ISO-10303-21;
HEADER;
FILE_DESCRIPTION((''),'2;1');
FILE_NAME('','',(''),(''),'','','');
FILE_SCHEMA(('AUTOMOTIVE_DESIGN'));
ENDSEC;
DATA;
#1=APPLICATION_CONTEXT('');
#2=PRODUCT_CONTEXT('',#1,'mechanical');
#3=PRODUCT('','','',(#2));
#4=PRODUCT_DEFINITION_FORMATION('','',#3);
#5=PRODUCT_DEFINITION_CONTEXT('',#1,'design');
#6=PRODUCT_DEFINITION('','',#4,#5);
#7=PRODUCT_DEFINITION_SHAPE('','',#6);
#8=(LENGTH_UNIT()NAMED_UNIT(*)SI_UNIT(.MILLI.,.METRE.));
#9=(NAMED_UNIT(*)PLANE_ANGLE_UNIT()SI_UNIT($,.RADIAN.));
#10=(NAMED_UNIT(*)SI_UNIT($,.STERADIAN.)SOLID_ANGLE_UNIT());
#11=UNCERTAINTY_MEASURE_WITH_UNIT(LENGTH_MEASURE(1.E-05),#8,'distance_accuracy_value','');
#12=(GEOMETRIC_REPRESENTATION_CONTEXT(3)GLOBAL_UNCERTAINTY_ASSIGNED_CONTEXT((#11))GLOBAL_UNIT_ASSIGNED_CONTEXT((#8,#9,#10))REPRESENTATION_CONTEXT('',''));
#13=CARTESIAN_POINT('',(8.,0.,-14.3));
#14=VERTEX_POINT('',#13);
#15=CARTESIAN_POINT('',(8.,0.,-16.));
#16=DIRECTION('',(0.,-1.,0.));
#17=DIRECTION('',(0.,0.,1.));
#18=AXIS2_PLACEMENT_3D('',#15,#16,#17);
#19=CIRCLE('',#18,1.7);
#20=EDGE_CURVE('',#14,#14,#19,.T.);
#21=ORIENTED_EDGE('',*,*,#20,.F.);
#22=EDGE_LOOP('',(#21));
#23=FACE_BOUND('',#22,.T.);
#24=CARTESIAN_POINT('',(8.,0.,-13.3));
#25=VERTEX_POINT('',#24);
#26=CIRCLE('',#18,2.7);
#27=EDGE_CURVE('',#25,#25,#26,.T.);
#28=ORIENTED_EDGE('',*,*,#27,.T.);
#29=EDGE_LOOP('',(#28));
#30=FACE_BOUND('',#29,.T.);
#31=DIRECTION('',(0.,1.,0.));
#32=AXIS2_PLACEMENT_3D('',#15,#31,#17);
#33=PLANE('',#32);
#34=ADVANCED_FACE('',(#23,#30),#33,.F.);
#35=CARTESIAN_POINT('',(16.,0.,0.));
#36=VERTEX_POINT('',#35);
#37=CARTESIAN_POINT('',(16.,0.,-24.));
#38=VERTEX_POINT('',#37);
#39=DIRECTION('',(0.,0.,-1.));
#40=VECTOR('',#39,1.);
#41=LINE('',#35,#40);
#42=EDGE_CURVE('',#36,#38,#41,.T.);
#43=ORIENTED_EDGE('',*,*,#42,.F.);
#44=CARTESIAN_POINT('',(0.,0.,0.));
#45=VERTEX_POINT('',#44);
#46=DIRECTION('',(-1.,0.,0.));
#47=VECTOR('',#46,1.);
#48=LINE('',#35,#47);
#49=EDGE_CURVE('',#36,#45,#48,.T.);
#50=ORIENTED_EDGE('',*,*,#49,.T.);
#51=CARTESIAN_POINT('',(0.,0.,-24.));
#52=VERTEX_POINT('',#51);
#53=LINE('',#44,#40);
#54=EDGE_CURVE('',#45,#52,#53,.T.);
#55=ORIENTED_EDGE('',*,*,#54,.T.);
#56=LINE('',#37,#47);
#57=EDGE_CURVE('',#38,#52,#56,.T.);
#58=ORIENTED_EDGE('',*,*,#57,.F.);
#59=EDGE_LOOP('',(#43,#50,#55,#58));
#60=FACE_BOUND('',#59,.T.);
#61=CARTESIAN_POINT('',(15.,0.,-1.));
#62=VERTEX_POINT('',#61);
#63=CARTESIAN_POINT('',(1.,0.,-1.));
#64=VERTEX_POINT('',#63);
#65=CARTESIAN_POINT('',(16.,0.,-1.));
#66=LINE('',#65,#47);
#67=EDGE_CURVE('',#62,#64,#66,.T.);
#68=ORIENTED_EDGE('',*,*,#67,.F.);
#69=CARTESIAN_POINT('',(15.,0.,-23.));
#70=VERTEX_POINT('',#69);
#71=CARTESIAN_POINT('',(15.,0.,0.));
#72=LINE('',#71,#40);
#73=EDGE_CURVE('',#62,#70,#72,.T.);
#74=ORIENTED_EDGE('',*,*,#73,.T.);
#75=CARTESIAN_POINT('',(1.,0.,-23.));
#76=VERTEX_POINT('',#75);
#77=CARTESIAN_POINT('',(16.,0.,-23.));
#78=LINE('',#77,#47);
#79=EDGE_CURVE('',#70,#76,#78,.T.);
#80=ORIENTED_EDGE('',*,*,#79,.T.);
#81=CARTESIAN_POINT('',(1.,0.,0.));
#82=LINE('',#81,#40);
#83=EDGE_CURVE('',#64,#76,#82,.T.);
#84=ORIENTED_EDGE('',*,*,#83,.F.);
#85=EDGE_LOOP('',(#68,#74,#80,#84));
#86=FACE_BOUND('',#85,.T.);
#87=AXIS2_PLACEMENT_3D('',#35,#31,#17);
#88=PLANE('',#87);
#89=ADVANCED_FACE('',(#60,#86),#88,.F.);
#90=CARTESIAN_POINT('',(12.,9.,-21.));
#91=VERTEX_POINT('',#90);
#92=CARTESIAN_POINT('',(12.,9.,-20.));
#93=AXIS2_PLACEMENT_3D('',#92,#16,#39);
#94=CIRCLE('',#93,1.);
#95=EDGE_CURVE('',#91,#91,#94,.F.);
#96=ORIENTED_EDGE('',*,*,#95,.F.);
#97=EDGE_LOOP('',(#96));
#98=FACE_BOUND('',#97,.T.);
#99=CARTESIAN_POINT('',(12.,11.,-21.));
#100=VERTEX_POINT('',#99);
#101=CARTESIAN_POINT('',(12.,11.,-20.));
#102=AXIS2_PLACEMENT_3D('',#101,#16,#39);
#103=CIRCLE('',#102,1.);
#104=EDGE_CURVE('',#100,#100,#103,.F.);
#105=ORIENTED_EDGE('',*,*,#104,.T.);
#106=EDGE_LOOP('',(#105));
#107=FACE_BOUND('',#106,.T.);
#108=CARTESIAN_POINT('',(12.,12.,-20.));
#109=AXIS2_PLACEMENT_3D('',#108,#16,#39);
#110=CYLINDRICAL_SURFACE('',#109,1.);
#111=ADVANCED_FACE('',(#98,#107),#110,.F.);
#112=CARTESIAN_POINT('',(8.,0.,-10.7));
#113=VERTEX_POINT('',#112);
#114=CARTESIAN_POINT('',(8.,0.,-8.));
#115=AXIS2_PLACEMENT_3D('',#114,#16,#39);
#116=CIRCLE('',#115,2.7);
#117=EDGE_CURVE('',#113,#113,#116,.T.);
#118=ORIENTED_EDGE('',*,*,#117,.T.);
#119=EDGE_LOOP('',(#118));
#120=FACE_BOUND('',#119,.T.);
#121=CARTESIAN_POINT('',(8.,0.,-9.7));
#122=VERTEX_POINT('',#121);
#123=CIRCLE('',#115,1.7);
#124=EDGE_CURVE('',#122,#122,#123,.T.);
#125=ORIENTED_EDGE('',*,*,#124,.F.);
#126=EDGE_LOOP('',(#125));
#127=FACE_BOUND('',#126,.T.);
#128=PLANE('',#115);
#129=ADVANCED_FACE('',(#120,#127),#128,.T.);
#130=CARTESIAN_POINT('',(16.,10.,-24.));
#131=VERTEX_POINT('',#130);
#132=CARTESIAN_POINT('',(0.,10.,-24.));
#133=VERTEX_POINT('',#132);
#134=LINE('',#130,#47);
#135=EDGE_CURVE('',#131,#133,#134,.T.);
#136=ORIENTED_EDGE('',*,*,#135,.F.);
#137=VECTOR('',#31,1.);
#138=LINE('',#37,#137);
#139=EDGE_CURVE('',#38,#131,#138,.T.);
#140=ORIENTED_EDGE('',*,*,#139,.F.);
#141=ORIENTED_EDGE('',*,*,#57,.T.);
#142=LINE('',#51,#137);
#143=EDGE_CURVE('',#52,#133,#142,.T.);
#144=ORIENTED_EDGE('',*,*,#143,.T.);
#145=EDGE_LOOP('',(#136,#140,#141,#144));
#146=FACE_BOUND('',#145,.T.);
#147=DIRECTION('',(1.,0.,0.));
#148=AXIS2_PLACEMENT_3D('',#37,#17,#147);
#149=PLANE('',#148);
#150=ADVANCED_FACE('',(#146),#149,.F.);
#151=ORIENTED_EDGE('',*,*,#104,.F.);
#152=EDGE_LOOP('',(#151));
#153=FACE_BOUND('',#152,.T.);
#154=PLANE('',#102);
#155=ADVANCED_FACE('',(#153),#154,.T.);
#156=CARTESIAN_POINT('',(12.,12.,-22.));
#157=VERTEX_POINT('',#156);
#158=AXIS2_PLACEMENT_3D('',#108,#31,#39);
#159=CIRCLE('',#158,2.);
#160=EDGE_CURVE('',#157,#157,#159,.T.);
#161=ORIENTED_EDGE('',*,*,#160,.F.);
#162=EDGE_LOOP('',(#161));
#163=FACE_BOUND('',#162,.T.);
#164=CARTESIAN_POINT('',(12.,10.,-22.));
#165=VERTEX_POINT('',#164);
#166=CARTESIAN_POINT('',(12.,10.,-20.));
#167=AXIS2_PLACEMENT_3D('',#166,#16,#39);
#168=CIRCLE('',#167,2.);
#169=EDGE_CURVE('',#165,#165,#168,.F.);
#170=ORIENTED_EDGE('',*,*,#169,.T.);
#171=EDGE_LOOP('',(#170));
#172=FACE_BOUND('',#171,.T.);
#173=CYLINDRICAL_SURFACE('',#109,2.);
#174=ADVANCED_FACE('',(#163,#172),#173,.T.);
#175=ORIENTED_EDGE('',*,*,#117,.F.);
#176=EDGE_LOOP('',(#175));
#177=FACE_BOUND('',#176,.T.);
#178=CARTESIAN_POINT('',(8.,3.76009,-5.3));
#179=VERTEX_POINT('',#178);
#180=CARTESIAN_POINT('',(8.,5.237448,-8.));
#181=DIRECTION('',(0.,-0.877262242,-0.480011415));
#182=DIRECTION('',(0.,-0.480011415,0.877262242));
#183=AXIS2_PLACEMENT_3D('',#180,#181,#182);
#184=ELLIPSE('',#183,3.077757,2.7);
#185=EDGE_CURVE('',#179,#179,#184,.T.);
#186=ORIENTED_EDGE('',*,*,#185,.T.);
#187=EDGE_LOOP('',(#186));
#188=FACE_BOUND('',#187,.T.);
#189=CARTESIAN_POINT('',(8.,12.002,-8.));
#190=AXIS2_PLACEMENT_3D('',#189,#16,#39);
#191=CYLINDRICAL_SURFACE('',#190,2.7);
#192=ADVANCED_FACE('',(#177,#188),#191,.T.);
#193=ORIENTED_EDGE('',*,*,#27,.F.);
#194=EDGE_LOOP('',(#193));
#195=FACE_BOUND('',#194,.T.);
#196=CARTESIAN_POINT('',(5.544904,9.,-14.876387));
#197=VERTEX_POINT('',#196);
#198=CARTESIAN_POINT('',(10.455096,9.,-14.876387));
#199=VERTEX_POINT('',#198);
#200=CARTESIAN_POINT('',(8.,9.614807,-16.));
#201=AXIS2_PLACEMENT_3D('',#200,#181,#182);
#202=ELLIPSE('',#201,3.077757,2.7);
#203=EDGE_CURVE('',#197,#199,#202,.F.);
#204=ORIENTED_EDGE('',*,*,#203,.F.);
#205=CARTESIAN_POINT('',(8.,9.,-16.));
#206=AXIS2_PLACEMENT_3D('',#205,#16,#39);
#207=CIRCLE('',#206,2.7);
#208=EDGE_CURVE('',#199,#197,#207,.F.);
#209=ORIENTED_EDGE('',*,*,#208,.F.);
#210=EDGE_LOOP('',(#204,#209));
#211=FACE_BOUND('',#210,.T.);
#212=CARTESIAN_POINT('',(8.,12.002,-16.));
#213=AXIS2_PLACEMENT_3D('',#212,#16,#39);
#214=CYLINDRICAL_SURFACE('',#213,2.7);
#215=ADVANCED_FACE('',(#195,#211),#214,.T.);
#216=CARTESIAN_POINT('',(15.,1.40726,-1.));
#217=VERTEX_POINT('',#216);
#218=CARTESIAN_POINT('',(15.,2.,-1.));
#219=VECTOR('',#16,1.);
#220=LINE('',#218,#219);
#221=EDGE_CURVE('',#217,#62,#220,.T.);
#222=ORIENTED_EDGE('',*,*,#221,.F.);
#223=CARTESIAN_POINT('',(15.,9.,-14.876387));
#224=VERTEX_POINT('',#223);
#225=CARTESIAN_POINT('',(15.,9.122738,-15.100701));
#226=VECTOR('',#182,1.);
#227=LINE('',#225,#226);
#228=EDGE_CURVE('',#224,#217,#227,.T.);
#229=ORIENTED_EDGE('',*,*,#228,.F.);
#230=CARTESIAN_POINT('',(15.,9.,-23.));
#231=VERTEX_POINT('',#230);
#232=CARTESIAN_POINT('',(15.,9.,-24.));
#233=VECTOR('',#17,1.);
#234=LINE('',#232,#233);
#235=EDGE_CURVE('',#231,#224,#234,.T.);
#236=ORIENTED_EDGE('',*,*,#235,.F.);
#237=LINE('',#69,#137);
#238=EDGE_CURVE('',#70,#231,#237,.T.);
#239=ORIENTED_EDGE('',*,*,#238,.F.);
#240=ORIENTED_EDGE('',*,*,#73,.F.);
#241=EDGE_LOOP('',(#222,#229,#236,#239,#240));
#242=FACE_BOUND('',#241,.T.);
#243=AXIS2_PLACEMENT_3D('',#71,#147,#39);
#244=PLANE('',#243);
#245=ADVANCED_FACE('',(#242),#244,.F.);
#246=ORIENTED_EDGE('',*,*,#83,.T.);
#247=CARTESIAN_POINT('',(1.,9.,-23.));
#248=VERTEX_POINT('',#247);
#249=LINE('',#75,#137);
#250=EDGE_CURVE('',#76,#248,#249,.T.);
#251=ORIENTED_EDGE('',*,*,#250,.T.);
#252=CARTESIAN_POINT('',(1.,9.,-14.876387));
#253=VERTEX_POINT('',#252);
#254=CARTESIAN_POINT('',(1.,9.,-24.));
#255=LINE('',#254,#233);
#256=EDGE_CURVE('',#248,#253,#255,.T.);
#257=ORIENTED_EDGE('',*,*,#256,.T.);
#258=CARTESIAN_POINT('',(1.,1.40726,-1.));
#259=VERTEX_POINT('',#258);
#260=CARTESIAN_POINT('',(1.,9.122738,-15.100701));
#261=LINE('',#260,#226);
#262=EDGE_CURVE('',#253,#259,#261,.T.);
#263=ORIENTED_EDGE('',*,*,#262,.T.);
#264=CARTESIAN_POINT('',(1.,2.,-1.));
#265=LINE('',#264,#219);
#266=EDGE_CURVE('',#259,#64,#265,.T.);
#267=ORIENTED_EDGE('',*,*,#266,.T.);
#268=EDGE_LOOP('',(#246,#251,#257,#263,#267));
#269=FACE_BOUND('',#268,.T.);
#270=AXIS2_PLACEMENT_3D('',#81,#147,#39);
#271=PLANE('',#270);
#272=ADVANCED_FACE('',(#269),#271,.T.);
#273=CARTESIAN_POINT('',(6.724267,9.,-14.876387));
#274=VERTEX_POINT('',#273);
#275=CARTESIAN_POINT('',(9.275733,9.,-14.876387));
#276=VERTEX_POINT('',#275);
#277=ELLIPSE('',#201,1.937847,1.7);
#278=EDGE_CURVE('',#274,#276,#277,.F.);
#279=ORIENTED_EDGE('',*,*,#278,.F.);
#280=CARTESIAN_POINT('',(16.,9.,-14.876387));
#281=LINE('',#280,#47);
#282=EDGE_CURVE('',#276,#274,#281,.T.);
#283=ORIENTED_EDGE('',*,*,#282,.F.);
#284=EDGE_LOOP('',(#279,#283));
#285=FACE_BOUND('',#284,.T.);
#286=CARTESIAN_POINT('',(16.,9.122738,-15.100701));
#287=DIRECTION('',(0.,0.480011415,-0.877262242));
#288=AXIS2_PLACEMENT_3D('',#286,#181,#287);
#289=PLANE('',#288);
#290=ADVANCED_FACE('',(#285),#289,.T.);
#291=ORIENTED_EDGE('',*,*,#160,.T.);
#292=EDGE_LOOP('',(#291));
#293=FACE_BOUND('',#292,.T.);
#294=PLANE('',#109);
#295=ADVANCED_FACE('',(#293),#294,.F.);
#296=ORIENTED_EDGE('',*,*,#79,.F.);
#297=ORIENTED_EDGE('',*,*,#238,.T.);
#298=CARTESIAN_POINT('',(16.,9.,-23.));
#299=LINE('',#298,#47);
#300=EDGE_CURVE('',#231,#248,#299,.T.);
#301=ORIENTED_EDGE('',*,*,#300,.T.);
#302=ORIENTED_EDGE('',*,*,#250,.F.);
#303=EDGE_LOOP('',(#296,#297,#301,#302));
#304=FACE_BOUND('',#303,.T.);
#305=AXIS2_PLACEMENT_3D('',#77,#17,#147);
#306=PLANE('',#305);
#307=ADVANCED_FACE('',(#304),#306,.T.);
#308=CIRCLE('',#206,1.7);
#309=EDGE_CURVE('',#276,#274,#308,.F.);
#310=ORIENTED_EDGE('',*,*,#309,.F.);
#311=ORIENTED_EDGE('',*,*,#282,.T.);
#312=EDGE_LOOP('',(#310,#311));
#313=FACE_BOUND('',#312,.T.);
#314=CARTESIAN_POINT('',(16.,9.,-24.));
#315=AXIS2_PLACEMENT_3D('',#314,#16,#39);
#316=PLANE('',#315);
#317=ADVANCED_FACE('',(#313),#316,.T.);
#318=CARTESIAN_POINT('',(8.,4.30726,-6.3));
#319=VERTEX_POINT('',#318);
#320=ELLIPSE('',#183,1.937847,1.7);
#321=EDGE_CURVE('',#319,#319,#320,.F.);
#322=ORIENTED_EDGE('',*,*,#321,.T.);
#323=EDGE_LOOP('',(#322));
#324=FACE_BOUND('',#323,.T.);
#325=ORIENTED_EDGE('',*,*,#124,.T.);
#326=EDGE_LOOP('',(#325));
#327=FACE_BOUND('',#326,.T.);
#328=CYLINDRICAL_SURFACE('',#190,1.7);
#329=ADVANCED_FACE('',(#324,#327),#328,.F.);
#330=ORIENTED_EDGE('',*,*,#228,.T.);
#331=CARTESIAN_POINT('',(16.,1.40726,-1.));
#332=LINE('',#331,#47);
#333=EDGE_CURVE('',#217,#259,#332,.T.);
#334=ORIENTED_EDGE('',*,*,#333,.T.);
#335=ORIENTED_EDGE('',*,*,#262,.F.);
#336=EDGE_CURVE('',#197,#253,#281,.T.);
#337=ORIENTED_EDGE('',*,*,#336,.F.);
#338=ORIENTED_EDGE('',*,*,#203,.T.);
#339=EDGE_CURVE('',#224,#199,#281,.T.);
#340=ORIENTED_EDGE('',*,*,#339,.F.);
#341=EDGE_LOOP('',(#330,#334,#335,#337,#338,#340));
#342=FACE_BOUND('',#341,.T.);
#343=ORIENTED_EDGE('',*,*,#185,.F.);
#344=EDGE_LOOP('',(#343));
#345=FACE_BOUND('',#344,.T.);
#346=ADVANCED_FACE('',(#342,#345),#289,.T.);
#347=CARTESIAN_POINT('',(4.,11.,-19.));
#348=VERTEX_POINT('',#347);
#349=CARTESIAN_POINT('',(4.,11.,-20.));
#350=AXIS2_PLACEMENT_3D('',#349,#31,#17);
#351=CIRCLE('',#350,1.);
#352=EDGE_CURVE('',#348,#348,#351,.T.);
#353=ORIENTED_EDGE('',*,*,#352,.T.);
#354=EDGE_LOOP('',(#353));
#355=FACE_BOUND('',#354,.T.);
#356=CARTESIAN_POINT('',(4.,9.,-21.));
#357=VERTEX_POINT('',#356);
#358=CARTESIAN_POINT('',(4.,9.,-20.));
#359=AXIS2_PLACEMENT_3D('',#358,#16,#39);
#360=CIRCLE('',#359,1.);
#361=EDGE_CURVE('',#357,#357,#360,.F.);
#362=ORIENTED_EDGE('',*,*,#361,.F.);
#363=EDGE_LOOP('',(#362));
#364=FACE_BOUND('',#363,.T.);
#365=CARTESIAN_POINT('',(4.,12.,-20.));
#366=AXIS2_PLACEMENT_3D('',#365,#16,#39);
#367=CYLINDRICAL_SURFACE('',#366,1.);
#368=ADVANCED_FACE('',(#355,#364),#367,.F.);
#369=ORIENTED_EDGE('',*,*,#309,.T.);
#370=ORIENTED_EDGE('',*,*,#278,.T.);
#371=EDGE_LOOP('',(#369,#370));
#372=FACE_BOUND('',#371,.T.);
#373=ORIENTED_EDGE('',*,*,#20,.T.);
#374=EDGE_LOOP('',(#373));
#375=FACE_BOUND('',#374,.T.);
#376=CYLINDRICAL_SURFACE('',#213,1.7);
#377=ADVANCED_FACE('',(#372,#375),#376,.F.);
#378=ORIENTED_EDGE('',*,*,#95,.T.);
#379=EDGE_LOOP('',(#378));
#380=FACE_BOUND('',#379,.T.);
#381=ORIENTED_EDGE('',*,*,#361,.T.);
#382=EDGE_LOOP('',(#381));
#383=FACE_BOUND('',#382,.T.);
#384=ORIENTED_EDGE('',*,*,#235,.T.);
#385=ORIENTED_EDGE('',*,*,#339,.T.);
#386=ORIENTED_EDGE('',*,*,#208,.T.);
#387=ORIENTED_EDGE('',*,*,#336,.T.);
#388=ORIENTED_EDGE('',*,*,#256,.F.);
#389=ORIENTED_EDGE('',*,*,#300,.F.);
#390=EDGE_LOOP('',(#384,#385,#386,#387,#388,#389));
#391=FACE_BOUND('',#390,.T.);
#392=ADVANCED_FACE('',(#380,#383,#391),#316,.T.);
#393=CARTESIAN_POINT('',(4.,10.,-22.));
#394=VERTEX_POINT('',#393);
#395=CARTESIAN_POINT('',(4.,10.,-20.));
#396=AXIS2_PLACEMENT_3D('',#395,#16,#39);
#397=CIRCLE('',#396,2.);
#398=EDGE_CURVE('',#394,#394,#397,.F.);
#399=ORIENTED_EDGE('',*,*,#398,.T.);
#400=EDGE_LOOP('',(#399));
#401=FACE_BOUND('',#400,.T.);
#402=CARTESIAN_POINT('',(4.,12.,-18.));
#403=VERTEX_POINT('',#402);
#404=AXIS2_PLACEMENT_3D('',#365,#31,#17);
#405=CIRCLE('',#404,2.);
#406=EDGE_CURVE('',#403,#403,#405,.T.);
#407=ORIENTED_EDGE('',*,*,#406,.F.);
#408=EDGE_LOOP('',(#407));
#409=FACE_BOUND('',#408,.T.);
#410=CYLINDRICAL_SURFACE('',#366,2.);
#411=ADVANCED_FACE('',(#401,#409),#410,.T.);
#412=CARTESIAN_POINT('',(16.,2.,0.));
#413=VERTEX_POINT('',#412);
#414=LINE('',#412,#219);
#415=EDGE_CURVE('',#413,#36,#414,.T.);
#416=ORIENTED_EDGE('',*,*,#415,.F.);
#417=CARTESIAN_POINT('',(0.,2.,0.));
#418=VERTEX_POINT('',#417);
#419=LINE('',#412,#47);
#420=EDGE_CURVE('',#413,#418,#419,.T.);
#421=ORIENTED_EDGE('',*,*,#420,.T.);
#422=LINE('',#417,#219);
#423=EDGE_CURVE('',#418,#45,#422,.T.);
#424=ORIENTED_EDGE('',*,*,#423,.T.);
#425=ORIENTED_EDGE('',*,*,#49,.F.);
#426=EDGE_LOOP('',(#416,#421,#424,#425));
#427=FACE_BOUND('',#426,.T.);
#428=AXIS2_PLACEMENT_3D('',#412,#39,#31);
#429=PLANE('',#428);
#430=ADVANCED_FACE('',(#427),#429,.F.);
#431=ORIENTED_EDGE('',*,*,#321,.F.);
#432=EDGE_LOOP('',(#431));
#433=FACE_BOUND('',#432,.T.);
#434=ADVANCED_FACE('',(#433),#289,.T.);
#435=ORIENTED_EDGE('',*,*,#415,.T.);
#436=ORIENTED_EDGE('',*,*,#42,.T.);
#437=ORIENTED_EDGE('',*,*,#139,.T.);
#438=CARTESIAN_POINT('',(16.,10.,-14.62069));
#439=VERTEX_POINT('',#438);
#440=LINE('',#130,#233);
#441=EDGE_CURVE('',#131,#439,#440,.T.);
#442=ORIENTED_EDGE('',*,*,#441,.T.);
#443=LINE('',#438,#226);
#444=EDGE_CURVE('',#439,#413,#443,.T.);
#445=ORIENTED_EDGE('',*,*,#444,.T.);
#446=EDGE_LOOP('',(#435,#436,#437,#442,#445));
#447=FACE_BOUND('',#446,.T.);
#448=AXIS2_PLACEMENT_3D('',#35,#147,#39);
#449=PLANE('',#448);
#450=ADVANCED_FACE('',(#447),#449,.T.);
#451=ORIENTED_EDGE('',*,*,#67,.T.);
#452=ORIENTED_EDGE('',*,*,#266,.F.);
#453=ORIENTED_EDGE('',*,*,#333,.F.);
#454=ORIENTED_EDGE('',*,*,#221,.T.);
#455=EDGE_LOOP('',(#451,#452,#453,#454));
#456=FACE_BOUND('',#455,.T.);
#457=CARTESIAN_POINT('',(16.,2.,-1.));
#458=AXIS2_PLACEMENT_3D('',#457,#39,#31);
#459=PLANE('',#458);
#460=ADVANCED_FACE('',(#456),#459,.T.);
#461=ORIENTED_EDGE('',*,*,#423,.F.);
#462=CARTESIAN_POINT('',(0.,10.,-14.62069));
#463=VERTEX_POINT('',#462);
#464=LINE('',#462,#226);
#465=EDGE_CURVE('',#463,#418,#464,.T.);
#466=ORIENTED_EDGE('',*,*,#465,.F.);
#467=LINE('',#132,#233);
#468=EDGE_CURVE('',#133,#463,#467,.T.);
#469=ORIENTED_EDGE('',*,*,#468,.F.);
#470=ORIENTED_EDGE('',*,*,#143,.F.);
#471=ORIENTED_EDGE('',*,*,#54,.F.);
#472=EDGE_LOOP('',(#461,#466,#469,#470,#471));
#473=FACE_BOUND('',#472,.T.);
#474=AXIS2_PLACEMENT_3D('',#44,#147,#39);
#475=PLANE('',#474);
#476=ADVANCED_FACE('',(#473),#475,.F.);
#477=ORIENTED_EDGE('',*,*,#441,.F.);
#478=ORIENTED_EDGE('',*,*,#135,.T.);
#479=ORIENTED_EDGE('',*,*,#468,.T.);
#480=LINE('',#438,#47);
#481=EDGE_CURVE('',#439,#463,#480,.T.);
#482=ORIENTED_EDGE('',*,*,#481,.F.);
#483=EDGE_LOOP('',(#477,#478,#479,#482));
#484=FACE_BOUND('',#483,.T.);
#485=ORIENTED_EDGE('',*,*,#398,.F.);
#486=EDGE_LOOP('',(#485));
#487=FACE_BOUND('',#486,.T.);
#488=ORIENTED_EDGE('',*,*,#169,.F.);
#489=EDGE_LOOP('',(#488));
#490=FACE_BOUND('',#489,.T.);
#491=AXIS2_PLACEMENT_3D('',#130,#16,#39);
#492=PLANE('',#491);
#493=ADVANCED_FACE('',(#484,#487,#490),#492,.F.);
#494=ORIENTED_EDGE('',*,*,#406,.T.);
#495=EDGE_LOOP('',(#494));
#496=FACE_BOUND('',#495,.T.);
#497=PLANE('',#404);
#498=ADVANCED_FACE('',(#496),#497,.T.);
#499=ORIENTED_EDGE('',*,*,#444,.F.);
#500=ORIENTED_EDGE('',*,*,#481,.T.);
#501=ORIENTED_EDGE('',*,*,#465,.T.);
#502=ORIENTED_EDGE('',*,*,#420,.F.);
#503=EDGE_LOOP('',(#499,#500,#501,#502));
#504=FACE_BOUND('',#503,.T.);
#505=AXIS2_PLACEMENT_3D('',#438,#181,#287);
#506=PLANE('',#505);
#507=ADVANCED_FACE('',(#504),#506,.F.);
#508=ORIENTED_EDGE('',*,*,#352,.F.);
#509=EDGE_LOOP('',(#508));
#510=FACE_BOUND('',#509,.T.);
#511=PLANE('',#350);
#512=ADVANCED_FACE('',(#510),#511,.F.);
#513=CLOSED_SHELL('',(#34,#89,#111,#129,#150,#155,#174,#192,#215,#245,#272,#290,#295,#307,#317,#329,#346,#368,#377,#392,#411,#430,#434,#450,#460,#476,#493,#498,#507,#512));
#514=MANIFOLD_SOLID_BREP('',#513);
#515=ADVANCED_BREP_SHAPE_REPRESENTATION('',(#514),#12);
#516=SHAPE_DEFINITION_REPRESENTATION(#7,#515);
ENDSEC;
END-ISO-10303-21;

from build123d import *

# Parameters (mm, degrees)
BOSS_EXTRUDE1_DEPTH = 16
SKETCH2_R           = 2
BOSS_EXTRUDE2_DEPTH = 2
SHELL1_T            = -1
BOSS_EXTRUDE3_REACH = 33.241
SKETCH3_R           = 2.7
SKETCH3_R_2         = 1.7


with BuildPart() as part:
    # Sketch1 → Boss-Extrude1 (new body)
    with BuildSketch(Plane(origin=(0, 0, 0), x_dir=(0, 0, -1), z_dir=(1, 0, 0))):
        Polygon((0, 0), (24, 0), (24, 10), (14.620689655, 10), (0, 2), align=None)
    extrude(amount=BOSS_EXTRUDE1_DEPTH)

    # Sketch2 → Boss-Extrude2 (add)
    with BuildSketch(Plane(origin=(0, 10, 0), x_dir=(1, 0, 0), z_dir=(0, 1, 0))):
        with Locations(Location((4, 20, 0), (0, 0, 90))):
            Circle(SKETCH2_R)
        with Locations(Location((12, 20, 0), (0, 0, 90))):
            Circle(SKETCH2_R)
    extrude(amount=BOSS_EXTRUDE2_DEPTH)

    # Shell1
    shell1_openings = [part.faces().sort_by_distance(p)[0] for p in [
        (8, 0, -12),
    ]]
    offset(amount=SHELL1_T, openings=shell1_openings, kind=Kind.INTERSECTION)

    # Sketch3 → Boss-Extrude3 (add, up to next)
    with BuildSketch(Plane.XZ, mode=Mode.PRIVATE) as boss_extrude3_sk1:
        with Locations(Location((8, -8, 0), (0, 0, 270))):
            Circle(SKETCH3_R)
        with Locations(Location((8, -8, 0), (0, 0, 270))):
            Circle(SKETCH3_R_2, mode=Mode.SUBTRACT)
    boss_extrude3_tool1 = extrude(boss_extrude3_sk1.sketch, amount=-BOSS_EXTRUDE3_REACH, mode=Mode.PRIVATE) - part.part
    # Sketch3 → Boss-Extrude3 (add, up to next)
    with BuildSketch(Plane.XZ, mode=Mode.PRIVATE) as boss_extrude3_sk2:
        with Locations(Location((8, -16, 0), (0, 0, 24.591939532))):
            Circle(SKETCH3_R)
        with Locations(Location((8, -16, 0), (0, 0, 41.372265033))):
            Circle(SKETCH3_R_2, mode=Mode.SUBTRACT)
    boss_extrude3_tool2 = extrude(boss_extrude3_sk2.sketch, amount=-BOSS_EXTRUDE3_REACH, mode=Mode.PRIVATE) - part.part
    add(boss_extrude3_tool1.solids().sort_by_distance((8, 0, -5.376368))[0])
    add(boss_extrude3_tool2.solids().sort_by_distance((5.614345, 0, -17.091832))[0])


solid = part.part
